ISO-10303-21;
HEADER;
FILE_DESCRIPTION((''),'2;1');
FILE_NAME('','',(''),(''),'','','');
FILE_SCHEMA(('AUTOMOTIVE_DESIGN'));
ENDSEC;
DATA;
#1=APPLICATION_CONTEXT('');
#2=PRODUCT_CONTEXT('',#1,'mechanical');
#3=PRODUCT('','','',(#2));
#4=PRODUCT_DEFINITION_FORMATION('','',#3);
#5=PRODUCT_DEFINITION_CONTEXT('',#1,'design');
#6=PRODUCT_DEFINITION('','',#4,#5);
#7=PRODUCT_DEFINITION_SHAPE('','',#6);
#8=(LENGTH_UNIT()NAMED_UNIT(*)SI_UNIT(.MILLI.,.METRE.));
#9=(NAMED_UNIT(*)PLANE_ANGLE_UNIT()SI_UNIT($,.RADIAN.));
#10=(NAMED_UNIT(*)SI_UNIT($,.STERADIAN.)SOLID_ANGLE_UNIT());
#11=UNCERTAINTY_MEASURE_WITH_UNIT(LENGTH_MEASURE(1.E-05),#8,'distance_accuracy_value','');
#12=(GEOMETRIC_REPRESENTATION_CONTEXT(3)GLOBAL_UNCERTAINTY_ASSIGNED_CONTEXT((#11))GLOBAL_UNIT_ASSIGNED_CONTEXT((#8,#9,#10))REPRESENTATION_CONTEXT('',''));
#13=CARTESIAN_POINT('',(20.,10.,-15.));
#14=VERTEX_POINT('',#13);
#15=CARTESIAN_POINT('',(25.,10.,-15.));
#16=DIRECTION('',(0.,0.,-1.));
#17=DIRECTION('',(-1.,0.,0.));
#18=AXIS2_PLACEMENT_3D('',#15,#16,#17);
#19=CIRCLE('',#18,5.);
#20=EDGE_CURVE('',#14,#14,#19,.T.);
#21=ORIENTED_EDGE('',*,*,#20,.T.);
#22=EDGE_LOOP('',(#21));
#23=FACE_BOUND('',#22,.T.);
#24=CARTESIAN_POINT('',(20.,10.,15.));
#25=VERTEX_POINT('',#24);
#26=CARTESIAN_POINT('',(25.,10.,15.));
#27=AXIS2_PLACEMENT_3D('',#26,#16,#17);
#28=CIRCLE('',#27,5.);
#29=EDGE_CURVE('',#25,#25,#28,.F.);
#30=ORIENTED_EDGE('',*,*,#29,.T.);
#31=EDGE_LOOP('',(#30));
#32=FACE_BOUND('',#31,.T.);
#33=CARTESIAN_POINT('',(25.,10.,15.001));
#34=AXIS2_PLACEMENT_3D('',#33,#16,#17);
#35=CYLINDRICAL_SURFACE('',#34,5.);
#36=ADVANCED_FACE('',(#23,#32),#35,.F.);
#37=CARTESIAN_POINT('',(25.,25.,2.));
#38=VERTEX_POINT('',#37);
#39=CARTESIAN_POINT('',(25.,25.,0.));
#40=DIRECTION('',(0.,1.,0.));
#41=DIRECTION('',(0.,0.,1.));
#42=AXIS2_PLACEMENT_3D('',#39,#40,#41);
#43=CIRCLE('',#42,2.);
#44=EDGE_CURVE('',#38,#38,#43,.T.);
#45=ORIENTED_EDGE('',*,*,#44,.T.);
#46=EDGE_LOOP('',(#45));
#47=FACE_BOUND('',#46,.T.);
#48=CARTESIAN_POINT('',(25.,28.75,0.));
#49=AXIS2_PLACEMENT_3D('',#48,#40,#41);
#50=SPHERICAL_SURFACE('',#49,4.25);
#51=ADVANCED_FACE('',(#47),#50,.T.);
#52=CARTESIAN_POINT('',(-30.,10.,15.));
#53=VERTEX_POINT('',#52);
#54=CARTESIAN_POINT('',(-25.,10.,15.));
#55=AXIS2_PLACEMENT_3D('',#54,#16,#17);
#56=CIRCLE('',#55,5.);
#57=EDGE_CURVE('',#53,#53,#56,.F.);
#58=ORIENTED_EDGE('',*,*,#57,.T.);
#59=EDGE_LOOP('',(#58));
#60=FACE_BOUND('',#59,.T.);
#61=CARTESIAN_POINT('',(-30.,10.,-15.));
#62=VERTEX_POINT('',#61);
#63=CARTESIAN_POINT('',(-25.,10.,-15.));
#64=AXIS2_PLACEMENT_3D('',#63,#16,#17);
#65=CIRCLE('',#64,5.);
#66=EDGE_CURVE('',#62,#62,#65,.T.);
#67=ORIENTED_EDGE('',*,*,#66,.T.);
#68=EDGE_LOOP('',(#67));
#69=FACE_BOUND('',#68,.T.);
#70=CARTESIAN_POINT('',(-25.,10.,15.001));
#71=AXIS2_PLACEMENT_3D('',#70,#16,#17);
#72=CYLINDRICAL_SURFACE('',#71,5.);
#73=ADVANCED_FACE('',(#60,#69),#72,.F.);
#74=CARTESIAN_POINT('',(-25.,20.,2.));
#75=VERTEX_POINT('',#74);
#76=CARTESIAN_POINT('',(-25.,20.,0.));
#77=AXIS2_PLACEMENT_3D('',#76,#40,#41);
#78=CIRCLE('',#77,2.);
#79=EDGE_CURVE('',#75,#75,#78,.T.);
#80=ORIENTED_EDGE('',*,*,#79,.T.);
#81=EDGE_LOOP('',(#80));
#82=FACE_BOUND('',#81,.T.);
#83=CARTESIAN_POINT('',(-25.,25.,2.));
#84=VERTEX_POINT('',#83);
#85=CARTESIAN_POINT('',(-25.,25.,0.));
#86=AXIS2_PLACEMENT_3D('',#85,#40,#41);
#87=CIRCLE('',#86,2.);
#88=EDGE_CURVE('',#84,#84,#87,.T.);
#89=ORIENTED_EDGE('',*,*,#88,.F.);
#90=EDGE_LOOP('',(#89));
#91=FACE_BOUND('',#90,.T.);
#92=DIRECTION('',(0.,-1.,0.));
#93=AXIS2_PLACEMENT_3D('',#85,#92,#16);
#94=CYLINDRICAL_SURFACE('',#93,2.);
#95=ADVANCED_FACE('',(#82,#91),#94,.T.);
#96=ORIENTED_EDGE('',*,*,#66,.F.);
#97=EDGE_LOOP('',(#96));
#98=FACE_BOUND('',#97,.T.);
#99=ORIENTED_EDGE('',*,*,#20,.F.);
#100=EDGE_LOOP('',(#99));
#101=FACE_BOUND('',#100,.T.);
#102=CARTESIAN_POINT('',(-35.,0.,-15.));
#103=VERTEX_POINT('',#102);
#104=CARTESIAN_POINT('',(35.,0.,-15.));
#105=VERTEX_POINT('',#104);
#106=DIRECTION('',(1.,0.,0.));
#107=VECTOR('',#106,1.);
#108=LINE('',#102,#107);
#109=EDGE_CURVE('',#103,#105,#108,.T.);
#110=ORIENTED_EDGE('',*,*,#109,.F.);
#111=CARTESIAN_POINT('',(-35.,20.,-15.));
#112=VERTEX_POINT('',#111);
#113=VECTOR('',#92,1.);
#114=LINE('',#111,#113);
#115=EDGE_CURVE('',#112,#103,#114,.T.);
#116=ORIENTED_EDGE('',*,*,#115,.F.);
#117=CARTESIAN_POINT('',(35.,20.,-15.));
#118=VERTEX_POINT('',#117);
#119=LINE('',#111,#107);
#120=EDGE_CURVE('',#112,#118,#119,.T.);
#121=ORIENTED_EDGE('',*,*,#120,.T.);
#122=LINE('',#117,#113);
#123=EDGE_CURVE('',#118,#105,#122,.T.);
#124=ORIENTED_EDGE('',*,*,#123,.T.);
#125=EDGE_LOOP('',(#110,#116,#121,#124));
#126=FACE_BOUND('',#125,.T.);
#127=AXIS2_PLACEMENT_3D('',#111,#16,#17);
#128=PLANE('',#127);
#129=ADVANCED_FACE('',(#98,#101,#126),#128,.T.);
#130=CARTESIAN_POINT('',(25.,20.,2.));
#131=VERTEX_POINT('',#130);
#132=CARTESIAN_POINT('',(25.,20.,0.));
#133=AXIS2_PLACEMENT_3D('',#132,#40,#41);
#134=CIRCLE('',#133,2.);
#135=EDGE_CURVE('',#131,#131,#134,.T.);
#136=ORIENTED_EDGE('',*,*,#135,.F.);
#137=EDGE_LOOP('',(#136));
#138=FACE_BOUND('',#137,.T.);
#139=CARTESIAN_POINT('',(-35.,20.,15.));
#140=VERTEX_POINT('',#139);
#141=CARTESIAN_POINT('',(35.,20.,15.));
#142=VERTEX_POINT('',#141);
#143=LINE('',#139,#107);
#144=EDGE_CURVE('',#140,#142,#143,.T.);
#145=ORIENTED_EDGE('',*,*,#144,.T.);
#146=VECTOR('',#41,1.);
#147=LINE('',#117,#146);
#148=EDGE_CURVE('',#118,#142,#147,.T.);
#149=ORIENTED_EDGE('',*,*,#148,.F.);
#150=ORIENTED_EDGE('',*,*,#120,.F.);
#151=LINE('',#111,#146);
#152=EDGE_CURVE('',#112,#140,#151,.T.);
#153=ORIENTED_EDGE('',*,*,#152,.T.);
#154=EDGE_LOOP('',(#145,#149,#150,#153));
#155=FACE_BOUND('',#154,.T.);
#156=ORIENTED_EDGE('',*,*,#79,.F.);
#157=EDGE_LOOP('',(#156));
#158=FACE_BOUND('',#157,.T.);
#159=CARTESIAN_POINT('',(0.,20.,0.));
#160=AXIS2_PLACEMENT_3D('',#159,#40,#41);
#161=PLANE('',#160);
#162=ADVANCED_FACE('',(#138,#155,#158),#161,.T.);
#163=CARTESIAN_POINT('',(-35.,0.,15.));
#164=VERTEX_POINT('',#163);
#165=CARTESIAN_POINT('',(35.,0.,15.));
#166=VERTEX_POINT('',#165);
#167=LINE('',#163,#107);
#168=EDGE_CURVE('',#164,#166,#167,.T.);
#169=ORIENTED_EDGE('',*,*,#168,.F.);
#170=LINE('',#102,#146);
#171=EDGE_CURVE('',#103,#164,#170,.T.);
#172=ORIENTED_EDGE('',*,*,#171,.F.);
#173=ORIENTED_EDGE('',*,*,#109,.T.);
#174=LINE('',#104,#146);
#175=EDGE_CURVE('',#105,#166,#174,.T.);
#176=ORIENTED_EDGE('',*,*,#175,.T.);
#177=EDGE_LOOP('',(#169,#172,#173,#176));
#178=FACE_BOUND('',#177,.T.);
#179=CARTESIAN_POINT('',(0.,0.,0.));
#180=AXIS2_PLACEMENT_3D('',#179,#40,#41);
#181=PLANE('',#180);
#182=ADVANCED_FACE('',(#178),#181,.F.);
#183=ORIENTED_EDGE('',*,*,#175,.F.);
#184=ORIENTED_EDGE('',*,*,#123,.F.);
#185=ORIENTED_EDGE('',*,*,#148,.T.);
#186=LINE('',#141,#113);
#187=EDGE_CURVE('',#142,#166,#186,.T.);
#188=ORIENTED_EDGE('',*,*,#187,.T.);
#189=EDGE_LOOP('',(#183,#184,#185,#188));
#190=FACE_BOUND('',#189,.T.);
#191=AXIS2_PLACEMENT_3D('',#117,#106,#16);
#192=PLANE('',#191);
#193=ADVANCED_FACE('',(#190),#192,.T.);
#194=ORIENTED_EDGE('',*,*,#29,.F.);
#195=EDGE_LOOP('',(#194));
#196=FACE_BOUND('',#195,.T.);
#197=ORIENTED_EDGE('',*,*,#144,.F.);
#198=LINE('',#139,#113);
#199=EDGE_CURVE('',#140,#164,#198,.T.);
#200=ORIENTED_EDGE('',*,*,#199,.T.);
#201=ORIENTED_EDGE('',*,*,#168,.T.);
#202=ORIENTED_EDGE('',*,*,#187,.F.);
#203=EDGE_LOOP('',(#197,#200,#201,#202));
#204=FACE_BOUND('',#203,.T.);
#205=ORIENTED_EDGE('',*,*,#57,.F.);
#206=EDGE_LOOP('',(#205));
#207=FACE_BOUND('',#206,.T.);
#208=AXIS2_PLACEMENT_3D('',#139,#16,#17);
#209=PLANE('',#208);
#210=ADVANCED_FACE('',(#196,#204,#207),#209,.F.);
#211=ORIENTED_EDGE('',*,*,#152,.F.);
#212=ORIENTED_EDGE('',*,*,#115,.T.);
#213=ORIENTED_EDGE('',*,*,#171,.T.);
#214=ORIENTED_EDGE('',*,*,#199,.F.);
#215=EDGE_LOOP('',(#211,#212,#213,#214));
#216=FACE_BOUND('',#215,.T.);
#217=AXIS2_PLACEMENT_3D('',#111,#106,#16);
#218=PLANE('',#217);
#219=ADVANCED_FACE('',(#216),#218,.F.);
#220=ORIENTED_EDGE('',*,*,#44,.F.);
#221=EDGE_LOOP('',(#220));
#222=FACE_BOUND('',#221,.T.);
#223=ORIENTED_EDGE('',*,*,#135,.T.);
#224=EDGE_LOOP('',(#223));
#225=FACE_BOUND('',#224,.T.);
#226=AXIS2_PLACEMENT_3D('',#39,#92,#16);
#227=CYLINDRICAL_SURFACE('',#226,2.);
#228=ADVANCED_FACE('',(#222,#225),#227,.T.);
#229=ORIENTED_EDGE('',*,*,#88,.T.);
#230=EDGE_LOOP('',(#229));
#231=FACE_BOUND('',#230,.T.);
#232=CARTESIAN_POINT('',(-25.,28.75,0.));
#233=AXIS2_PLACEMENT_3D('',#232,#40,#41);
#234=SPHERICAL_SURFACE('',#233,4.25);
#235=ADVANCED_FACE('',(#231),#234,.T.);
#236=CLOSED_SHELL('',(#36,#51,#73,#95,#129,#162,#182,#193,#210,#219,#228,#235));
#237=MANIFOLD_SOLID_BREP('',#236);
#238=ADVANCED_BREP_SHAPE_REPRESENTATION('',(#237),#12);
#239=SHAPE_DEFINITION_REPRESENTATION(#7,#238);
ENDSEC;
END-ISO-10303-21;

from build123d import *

# Parameters (mm, degrees)
SKETCH1_W           = 70
SKETCH1_H           = 30
BOSS_EXTRUDE1_DEPTH = 20
CUT_EXTRUDE1_REACH  = 52.249
SKETCH2_R           = 5
SKETCH3_R           = 2
BOSS_EXTRUDE2_DEPTH = 5
DOME1_FACE_RADIUS   = 2
DOME1_HEIGHT        = 8
DOME2_FACE_RADIUS   = 2
DOME2_HEIGHT        = 8


with BuildPart() as part:
    # Sketch1 → Boss-Extrude1 (new body)
    with BuildSketch(Plane(origin=(0, 0, 0), x_dir=(1, 0, 0), z_dir=(0, 1, 0))):
        Rectangle(SKETCH1_W, SKETCH1_H)
    extrude(amount=BOSS_EXTRUDE1_DEPTH)

    # Sketch2 → Cut-Extrude1 (cut, up to next)
    with BuildSketch(Plane(origin=(0, 0, -15), x_dir=(-1, 0, 0), z_dir=(0, 0, -1)), mode=Mode.PRIVATE) as cut_extrude1_sk1:
        with Locations((-25, 10)):
            Circle(SKETCH2_R)
    cut_extrude1_tool1 = extrude(cut_extrude1_sk1.sketch, amount=-CUT_EXTRUDE1_REACH, mode=Mode.PRIVATE) & part.part
    # Sketch2 → Cut-Extrude1 (cut, up to next)
    with BuildSketch(Plane(origin=(0, 0, -15), x_dir=(-1, 0, 0), z_dir=(0, 0, -1)), mode=Mode.PRIVATE) as cut_extrude1_sk2:
        with Locations((25, 10)):
            Circle(SKETCH2_R)
    cut_extrude1_tool2 = extrude(cut_extrude1_sk2.sketch, amount=-CUT_EXTRUDE1_REACH, mode=Mode.PRIVATE) & part.part
    add(cut_extrude1_tool1.solids().sort_by_distance((25, 10, -15))[0], mode=Mode.SUBTRACT)
    add(cut_extrude1_tool2.solids().sort_by_distance((-25, 10, -15))[0], mode=Mode.SUBTRACT)

    # Sketch3 → Boss-Extrude2 (add)
    with BuildSketch(Plane(origin=(0, 20, 0), x_dir=(1, 0, 0), z_dir=(0, 1, 0))):
        with Locations(Location((-25, 0, 0), (0, 0, 270))):
            Circle(SKETCH3_R)
        with Locations(Location((25, 0, 0), (0, 0, 270))):
            Circle(SKETCH3_R)
    extrude(amount=BOSS_EXTRUDE2_DEPTH)

    # Dome1: a dome of height H over a round flat face of radius A is a cap of a sphere of radius (A * A + H * H) / (2 * H)
    dome1_r = (DOME1_FACE_RADIUS * DOME1_FACE_RADIUS + DOME1_HEIGHT * DOME1_HEIGHT) / (2 * DOME1_HEIGHT)
    dome1_base = Plane((-25, 25, 0), z_dir=(0, 1, 0))
    with Locations(dome1_base.offset(DOME1_HEIGHT - dome1_r)):
        dome1_ball = Sphere(dome1_r, mode=Mode.PRIVATE)
    add(split(dome1_ball, bisect_by=dome1_base, keep=Keep.TOP, mode=Mode.PRIVATE))

    # Dome2: a dome of height H over a round flat face of radius A is a cap of a sphere of radius (A * A + H * H) / (2 * H)
    dome2_r = (DOME2_FACE_RADIUS * DOME2_FACE_RADIUS + DOME2_HEIGHT * DOME2_HEIGHT) / (2 * DOME2_HEIGHT)
    dome2_base = Plane((25, 25, 0), z_dir=(0, 1, 0))
    with Locations(dome2_base.offset(DOME2_HEIGHT - dome2_r)):
        dome2_ball = Sphere(dome2_r, mode=Mode.PRIVATE)
    add(split(dome2_ball, bisect_by=dome2_base, keep=Keep.TOP, mode=Mode.PRIVATE))


solid = part.part
